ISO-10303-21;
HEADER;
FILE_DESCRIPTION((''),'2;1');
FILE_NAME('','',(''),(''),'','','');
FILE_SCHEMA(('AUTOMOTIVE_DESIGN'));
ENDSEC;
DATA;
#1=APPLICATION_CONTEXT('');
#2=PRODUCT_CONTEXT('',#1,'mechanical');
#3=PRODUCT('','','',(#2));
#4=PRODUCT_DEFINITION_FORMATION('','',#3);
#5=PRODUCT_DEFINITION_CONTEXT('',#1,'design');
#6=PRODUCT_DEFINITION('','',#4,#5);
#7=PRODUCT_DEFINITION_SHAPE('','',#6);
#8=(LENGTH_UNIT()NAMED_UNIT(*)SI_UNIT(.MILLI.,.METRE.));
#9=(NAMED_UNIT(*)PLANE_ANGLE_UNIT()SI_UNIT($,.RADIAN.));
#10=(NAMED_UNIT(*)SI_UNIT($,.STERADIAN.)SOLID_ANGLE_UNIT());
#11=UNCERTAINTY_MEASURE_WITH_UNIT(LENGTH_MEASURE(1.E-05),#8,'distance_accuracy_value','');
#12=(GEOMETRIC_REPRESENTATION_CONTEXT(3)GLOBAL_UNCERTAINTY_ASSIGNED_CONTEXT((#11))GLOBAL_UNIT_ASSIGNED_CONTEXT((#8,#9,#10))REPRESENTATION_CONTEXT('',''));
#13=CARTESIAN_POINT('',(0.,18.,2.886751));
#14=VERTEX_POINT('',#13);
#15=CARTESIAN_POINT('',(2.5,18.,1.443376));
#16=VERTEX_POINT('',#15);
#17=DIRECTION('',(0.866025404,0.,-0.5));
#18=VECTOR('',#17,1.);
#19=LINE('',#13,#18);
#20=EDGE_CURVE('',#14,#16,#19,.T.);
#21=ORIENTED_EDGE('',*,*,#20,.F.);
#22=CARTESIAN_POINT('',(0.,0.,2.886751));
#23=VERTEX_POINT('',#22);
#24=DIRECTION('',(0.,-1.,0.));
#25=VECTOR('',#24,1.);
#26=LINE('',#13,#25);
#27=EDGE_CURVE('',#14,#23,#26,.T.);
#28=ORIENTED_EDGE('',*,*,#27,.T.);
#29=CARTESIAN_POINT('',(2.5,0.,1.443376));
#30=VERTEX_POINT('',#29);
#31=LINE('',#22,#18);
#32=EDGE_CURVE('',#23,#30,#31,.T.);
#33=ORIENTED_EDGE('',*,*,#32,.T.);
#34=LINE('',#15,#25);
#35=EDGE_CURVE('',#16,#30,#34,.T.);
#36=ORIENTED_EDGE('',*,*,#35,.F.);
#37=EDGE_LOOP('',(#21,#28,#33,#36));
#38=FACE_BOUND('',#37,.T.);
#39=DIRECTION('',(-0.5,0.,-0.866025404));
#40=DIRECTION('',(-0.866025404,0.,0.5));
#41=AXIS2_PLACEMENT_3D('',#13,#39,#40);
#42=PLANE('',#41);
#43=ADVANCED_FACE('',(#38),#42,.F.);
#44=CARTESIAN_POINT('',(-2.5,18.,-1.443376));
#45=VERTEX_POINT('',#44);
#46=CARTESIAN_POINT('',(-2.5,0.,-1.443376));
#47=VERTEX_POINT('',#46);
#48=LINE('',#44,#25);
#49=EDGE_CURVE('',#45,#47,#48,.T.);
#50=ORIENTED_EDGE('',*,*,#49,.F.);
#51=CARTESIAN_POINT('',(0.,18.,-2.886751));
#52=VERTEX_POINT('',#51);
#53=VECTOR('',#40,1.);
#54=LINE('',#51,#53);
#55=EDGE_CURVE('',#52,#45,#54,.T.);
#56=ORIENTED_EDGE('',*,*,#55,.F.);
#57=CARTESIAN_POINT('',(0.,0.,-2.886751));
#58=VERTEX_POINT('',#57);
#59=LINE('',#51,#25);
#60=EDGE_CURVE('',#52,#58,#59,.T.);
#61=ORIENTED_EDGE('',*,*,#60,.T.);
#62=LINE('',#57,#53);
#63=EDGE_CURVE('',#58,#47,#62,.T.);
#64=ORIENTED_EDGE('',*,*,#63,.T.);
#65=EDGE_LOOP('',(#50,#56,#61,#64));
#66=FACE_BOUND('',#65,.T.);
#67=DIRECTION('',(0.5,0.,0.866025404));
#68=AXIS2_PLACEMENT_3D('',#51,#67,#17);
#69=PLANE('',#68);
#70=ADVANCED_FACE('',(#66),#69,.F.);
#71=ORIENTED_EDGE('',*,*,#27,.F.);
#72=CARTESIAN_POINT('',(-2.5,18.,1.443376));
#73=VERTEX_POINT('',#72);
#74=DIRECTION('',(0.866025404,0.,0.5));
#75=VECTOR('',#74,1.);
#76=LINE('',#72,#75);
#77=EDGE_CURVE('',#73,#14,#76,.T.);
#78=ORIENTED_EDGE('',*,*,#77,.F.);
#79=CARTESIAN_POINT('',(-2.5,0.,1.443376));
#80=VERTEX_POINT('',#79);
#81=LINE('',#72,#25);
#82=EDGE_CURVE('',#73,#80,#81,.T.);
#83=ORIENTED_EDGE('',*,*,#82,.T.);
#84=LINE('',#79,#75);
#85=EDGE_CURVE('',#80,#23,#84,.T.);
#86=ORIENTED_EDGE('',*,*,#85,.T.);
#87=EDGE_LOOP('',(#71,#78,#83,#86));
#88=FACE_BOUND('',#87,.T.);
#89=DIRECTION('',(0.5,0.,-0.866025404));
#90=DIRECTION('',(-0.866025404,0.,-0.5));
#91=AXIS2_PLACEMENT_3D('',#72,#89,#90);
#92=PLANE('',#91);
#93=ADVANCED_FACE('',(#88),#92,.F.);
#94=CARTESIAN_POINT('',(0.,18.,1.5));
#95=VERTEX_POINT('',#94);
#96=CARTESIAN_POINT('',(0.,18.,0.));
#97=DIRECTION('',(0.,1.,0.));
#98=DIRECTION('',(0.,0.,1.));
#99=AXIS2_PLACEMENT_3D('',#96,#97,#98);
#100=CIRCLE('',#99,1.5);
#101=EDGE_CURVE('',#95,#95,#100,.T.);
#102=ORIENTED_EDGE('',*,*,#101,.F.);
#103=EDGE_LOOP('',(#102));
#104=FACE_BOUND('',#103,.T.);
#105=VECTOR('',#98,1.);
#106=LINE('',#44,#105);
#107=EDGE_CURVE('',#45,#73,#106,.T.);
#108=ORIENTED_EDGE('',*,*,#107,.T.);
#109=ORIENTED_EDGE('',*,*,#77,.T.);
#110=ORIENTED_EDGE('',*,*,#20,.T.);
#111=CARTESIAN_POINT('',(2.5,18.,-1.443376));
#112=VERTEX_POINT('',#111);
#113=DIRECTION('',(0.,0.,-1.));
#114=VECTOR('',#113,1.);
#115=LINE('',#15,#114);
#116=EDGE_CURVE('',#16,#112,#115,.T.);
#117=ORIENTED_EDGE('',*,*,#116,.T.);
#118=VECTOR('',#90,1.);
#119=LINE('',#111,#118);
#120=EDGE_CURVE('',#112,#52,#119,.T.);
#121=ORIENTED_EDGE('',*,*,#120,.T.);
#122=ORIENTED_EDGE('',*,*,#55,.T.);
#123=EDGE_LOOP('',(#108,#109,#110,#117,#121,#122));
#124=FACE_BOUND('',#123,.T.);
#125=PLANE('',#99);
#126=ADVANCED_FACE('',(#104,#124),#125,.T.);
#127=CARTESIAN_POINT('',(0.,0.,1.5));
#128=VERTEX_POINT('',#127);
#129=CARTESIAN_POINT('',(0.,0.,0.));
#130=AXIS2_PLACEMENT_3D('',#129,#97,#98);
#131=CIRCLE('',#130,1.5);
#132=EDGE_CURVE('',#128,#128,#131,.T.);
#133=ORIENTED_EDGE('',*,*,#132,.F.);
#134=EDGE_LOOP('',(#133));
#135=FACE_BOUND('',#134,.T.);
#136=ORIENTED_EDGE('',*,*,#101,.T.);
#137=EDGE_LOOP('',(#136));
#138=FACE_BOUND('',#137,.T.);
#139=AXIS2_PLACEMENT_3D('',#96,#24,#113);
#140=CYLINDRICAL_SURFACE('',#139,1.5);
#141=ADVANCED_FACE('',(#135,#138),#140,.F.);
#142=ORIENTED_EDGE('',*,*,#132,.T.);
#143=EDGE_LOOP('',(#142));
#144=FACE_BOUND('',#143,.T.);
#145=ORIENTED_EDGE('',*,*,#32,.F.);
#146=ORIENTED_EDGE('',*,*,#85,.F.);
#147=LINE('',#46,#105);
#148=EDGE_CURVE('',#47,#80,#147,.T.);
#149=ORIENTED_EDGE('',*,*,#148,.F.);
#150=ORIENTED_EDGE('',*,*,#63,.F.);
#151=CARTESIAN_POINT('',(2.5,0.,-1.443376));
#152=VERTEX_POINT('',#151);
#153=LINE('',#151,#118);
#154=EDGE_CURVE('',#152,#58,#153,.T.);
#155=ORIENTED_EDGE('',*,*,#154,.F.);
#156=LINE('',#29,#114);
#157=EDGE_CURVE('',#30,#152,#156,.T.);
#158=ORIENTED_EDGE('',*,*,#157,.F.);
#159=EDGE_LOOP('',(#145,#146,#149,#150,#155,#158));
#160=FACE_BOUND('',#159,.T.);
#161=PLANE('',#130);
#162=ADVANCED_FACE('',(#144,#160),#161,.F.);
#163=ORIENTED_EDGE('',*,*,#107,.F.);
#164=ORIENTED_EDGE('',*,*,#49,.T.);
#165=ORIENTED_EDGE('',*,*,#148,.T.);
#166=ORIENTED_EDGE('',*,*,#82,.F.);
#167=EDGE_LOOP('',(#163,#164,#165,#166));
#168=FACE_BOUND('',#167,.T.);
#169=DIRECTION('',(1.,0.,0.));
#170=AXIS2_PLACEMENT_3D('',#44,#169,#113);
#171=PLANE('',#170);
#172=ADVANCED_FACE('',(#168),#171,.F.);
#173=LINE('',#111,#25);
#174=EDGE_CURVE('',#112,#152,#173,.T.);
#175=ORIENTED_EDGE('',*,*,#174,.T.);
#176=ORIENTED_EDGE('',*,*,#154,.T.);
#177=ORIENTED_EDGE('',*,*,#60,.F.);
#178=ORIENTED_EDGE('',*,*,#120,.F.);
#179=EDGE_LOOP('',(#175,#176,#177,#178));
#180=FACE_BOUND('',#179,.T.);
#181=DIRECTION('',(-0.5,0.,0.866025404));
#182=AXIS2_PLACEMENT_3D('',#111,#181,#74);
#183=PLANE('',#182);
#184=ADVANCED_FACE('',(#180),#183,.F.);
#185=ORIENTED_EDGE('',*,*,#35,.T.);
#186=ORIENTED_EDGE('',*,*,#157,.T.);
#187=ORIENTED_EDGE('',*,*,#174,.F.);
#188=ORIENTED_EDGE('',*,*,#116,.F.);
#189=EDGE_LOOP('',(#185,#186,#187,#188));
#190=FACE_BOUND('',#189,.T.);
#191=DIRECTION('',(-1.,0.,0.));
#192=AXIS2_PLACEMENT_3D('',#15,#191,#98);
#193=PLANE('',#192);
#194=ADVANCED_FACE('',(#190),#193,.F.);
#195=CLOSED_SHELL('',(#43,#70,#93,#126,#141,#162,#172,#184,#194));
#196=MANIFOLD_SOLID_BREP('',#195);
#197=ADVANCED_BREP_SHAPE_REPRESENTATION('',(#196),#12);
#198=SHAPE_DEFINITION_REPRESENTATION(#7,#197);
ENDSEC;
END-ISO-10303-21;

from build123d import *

# Parameters (mm, degrees)
SKETCH_1_R      = 1.5
EXTRUDE_1_DEPTH = 18


with BuildPart() as part:
    # 草圖1 → 填料-伸長1 (new body)
    with BuildSketch(Plane(origin=(0, 0, 0), x_dir=(1, 0, 0), z_dir=(0, 1, 0))):
        Polygon((0, 2.886751346), (-2.5, 1.443375673), (-2.5, -1.443375673), (0, -2.886751346), (2.5, -1.443375673), (2.5, 1.443375673), align=None)
        Circle(SKETCH_1_R, mode=Mode.SUBTRACT)
    extrude(amount=EXTRUDE_1_DEPTH)


solid = part.part
